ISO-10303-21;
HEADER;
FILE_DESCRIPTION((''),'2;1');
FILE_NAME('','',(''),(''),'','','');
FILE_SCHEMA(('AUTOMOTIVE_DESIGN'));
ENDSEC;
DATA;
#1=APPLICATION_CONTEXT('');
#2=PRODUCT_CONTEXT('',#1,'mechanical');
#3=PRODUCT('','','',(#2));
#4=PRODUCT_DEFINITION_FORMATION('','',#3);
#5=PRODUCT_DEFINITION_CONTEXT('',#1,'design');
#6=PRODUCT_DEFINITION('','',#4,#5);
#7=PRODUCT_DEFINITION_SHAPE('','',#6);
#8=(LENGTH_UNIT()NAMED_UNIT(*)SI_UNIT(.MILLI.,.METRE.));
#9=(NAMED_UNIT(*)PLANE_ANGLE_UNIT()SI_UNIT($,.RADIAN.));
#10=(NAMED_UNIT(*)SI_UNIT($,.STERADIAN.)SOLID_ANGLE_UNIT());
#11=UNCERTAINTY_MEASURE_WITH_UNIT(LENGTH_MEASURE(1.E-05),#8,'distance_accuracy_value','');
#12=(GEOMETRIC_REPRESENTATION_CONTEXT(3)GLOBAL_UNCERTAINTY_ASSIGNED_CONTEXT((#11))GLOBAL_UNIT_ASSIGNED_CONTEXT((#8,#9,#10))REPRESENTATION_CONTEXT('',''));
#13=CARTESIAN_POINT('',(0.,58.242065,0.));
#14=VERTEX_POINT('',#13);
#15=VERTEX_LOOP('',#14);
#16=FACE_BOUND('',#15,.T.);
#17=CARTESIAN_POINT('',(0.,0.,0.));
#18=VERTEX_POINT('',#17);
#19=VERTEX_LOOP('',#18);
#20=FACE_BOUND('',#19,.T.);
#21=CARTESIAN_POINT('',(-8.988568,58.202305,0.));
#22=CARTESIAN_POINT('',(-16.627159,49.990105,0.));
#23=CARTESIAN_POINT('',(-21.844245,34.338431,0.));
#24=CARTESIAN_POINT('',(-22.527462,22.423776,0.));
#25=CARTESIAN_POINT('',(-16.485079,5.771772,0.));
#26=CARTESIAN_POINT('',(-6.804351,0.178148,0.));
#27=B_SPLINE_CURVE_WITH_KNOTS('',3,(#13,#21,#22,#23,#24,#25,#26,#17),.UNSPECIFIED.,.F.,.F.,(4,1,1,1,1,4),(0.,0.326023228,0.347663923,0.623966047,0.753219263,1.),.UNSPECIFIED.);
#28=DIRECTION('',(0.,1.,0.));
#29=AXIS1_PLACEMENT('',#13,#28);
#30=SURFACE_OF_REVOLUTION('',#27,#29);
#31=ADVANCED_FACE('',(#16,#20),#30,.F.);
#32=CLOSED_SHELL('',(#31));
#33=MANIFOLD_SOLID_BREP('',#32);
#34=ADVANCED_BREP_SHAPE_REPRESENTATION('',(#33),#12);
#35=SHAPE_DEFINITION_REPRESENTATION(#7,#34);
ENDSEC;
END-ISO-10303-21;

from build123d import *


with BuildPart() as part:
    # Sketch1 → Revolve1 (revolve)
    with BuildSketch(Plane.XY):
        with BuildLine():
            Line((0, 58.24206471), (0, 0))
            add(Edge.make_bspline(
                [(0, 0), (-6.804351107, 0.178148045), (-16.485079004, 5.771771968), (-22.527461702, 22.423776389), (-21.844245478, 34.338431418), (-16.62715892, 49.990104663), (-8.988567863, 58.202305337), (0, 58.24206471)],
                knots=[0, 0, 0, 0, 0.246780737, 0.376033953, 0.652336077, 0.673976772, 1, 1, 1, 1], degree=3))
        make_face()
    revolve(axis=Axis((0, 58.24206471, 0), (0, -1, 0)))


solid = part.part
